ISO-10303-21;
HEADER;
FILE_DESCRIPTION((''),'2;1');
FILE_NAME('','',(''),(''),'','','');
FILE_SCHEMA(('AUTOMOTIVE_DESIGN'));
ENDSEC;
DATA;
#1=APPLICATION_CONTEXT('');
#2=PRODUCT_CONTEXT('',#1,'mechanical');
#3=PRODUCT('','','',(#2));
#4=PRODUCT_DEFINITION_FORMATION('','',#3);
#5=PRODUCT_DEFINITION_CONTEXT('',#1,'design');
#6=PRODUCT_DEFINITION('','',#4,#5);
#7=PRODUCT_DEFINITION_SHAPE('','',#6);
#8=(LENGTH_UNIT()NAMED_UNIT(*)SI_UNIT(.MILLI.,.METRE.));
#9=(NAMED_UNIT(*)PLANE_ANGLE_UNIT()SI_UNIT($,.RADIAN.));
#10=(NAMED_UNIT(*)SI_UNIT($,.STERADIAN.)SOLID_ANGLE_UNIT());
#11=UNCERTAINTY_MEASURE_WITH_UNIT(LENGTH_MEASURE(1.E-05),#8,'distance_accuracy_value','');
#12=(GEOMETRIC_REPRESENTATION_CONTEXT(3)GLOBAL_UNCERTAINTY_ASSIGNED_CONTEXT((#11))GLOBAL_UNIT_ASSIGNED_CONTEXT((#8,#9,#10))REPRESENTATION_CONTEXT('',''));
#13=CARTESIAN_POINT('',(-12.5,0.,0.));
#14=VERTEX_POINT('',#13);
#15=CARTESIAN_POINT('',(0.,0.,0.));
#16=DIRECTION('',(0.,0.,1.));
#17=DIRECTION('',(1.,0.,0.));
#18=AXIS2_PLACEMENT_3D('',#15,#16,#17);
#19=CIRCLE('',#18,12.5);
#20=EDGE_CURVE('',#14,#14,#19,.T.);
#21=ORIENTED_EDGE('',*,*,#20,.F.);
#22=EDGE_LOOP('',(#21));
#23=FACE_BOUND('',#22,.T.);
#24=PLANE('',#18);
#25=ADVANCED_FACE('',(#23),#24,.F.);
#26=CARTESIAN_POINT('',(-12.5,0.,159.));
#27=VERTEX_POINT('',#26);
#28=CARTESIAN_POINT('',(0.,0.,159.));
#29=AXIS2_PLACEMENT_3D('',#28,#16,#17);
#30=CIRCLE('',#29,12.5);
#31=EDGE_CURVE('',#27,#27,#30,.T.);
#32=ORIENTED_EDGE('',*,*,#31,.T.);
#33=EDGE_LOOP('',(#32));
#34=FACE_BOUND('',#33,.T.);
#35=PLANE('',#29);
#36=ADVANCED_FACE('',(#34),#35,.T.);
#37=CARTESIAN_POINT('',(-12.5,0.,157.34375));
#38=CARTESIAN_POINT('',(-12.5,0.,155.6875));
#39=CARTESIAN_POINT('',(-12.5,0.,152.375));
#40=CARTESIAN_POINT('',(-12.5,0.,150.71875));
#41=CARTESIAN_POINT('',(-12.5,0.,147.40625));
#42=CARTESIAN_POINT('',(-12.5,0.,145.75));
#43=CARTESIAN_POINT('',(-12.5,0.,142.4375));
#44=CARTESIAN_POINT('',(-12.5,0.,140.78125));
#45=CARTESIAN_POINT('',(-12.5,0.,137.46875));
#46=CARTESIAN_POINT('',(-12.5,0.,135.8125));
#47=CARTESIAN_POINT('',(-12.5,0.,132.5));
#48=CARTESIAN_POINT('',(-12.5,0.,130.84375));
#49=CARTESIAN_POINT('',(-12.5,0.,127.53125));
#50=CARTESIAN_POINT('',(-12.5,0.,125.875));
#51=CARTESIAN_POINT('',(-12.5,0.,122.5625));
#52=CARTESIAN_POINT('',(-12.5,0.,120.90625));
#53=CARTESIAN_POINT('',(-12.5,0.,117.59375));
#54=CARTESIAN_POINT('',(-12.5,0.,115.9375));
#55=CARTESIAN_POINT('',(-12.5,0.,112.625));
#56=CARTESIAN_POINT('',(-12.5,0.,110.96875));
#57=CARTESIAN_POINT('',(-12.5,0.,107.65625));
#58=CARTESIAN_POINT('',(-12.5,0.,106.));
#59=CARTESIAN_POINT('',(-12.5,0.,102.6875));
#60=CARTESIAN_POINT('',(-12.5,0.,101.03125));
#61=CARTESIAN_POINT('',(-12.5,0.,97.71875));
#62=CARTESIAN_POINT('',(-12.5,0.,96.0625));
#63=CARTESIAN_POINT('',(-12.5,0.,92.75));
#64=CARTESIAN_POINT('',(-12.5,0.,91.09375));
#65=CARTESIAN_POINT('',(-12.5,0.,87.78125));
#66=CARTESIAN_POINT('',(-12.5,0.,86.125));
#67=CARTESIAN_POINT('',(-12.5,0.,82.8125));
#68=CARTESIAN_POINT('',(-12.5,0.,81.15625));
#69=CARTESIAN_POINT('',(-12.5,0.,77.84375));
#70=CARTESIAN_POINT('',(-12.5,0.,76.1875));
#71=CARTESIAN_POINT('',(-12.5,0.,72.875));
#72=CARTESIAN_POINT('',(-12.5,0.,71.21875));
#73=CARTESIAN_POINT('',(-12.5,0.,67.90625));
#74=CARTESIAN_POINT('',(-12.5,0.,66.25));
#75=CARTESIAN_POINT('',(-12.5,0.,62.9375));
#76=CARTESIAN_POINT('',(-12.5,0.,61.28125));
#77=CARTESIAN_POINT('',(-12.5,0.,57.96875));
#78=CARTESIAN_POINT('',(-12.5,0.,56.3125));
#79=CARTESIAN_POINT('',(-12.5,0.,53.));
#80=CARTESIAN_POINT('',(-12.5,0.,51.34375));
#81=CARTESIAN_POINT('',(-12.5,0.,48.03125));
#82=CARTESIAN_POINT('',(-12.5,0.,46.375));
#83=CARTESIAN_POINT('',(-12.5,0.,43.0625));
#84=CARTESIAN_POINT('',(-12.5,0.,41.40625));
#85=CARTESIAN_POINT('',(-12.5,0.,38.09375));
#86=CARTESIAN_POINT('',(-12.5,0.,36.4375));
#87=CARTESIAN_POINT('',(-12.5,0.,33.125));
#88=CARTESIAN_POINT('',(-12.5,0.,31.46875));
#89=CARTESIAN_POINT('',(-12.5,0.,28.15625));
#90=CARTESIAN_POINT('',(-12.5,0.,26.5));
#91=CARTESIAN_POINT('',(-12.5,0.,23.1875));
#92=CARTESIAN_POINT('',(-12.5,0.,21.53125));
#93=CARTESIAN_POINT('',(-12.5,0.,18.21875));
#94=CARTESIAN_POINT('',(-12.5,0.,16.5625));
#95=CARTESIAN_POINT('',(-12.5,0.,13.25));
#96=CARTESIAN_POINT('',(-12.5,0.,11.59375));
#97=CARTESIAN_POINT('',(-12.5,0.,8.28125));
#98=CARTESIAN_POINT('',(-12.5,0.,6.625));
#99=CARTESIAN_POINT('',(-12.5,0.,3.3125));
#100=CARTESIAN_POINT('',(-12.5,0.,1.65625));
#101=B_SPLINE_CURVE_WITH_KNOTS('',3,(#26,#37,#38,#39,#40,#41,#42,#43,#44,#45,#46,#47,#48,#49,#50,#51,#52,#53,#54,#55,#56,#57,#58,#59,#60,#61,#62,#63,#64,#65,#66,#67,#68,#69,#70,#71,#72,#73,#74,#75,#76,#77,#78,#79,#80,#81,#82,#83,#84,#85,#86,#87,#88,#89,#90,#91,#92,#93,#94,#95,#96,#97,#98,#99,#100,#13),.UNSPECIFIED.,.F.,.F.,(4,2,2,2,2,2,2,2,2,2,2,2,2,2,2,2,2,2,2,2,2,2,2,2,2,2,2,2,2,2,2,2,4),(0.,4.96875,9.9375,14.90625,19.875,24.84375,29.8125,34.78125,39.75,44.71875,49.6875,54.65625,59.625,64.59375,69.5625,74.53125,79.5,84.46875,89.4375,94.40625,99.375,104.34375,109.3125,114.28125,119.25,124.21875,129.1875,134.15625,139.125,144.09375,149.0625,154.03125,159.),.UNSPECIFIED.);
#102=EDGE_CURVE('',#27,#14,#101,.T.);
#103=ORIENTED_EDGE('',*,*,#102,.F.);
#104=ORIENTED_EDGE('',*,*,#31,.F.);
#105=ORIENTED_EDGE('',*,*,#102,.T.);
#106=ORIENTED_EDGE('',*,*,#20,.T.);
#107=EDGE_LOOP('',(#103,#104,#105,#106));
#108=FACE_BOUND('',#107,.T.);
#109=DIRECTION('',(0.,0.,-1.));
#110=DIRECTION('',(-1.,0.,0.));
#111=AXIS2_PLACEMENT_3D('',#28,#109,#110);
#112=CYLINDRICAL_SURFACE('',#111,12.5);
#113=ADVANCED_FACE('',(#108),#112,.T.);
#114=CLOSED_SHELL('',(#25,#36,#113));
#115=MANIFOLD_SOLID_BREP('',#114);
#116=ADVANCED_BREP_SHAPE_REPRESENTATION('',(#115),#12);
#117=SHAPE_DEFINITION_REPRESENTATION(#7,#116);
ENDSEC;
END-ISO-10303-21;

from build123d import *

# Parameters (mm, degrees)
ESQUISSE1_R        = 12.5
BOSS_EXTRU_2_DEPTH = 159


with BuildPart() as part:
    # Esquisse1 → Boss.-Extru.2 (new body)
    with BuildSketch(Plane(origin=(0, 0, 0), x_dir=(0, 1, 0), z_dir=(0, 0, 1))):
        with Locations(Location((0, 0, 0), (0, 0, 90))):
            Circle(ESQUISSE1_R)
    extrude(amount=BOSS_EXTRU_2_DEPTH)


solid = part.part
